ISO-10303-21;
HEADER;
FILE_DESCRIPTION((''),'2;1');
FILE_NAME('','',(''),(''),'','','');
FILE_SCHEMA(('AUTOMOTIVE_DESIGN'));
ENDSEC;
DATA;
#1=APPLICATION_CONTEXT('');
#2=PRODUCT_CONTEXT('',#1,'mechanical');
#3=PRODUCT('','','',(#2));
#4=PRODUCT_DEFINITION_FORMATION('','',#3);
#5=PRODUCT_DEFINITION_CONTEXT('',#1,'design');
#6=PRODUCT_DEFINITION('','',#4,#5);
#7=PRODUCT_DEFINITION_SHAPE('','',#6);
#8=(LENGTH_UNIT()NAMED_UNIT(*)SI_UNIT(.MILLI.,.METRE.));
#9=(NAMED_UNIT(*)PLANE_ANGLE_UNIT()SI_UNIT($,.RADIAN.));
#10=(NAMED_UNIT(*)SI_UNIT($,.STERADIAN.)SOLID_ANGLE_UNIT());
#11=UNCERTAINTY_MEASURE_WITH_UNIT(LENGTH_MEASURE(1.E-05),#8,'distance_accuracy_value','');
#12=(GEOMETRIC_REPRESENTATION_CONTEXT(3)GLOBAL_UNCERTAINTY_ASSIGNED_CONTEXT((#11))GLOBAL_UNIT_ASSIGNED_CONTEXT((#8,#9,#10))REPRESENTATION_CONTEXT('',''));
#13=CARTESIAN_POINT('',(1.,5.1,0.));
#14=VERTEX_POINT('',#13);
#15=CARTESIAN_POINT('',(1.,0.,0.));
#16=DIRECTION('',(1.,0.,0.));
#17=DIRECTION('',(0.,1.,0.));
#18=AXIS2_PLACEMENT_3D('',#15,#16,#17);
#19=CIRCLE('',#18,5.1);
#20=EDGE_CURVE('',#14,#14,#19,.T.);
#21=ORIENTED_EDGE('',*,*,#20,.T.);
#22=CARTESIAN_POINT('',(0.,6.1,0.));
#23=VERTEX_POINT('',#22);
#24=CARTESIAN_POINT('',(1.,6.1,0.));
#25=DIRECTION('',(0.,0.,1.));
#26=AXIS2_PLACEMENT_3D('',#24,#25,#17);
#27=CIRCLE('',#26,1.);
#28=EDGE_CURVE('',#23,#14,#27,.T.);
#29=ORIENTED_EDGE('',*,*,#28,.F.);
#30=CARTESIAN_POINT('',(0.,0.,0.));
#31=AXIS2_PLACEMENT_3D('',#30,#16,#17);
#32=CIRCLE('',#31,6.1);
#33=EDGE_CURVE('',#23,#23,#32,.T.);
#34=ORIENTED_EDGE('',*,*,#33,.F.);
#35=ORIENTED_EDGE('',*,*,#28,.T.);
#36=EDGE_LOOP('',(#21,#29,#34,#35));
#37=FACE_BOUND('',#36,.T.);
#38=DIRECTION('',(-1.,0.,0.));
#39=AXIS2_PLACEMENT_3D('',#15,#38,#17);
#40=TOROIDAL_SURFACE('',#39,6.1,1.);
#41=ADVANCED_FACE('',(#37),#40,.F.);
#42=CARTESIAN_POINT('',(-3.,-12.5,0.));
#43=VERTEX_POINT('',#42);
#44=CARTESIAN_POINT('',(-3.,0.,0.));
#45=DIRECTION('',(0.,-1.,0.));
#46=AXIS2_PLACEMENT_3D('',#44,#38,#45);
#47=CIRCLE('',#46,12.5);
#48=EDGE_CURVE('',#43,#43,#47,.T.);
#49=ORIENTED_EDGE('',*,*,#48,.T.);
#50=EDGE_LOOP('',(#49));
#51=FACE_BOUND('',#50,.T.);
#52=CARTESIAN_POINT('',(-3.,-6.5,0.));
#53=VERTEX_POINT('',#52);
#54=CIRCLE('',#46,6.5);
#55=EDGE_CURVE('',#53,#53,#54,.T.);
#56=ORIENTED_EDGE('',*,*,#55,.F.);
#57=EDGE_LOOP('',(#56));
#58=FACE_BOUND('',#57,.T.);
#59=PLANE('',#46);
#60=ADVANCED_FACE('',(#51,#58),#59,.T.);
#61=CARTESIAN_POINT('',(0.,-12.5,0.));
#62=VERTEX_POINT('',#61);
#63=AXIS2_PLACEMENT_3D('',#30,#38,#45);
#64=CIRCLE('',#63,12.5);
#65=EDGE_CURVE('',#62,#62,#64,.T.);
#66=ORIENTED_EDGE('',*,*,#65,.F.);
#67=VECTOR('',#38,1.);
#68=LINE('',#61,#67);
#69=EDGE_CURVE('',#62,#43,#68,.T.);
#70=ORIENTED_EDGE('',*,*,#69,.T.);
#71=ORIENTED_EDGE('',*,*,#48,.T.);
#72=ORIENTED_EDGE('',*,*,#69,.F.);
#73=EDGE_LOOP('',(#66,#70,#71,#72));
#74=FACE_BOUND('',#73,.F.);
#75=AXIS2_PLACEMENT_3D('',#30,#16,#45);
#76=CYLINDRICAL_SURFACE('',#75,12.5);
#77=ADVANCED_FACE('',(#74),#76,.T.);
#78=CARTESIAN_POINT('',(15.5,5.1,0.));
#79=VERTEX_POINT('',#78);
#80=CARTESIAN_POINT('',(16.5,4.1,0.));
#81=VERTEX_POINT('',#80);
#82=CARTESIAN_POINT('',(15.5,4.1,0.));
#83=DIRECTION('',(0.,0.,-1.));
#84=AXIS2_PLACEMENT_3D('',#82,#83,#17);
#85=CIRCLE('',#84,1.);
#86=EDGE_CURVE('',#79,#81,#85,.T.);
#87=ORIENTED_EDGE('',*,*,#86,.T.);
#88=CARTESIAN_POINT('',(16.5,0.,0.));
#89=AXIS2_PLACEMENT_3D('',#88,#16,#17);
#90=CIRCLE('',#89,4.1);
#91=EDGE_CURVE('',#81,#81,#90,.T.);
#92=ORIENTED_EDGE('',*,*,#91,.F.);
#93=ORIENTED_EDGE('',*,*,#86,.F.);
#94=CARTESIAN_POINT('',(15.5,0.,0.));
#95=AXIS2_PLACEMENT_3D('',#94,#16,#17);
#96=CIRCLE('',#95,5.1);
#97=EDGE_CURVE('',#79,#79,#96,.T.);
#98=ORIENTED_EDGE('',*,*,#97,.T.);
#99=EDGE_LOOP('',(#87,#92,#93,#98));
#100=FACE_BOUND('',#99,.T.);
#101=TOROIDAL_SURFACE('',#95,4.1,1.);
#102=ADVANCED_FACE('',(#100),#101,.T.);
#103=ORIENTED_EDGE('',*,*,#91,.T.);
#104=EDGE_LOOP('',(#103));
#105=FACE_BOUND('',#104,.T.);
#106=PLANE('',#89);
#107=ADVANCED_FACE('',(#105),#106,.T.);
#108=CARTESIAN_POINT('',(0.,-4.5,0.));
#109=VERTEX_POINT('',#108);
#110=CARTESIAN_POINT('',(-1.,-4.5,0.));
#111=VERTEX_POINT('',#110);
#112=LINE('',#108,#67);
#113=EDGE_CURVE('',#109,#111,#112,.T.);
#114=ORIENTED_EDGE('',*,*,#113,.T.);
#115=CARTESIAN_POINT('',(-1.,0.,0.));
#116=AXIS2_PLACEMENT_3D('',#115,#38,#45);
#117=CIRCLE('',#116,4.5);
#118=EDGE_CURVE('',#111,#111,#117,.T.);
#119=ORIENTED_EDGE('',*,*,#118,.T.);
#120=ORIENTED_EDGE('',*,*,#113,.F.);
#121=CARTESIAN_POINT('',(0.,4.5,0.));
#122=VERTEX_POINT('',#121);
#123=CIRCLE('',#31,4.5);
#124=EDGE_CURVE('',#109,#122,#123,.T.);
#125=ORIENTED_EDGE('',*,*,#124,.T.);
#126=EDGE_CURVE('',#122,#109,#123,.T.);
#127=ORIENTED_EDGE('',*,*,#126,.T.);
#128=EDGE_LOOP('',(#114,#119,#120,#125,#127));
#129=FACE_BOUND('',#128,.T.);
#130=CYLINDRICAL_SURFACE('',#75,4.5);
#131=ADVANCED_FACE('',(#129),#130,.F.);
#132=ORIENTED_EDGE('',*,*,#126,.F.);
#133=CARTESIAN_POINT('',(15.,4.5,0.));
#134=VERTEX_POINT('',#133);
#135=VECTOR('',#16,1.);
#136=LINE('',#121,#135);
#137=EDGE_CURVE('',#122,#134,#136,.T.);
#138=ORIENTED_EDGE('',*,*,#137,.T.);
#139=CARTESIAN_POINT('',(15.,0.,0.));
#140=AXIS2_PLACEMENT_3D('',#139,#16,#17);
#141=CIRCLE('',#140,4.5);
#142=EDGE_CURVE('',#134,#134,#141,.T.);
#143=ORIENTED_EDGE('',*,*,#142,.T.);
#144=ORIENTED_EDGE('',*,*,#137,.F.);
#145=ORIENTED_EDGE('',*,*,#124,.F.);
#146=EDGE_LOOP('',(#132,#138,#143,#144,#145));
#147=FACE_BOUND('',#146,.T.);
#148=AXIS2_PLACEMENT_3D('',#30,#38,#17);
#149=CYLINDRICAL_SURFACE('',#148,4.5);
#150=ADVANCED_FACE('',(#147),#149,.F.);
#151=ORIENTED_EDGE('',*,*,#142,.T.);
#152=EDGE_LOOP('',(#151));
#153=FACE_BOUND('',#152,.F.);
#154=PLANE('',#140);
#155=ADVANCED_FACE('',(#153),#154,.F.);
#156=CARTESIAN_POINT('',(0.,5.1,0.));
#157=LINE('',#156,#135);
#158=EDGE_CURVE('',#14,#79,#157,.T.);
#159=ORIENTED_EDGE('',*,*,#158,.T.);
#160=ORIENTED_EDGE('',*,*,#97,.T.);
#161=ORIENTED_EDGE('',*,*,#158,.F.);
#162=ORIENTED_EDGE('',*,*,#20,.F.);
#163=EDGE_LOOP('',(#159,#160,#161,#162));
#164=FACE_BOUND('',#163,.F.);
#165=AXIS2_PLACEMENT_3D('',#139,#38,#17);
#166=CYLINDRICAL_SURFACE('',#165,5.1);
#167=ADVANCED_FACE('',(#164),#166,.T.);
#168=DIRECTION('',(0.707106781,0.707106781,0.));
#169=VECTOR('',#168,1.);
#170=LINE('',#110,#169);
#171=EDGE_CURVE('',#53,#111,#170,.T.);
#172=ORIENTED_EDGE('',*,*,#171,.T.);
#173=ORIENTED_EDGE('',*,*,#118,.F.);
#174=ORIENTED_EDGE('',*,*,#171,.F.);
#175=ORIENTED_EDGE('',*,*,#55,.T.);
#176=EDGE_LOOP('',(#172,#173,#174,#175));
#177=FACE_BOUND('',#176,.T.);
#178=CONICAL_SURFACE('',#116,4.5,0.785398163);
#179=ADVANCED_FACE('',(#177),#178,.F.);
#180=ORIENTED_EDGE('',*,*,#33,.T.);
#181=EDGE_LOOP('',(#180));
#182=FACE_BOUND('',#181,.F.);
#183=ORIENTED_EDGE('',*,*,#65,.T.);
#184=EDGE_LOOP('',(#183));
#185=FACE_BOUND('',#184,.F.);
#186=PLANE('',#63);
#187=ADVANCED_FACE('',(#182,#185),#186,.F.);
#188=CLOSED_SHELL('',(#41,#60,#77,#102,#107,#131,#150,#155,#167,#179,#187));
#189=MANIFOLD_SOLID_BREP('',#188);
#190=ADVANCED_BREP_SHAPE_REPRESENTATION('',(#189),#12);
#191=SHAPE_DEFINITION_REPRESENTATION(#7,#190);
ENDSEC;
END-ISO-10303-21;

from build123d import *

# Parameters (mm, degrees)
F0_R     = 5.1
F0_R_2   = 4.5
F1_DEPTH = 15
F2_R     = 5.1
F3_DEPTH = 1.5
F4_R     = 12.5
F4_R_2   = 4.5
F5_DEPTH = 3
F6_R     = 1
F7_SIZE  = 2


with BuildPart() as f1:
    # F0 (on Right) → F1 (new body)
    with BuildSketch(Plane.YZ):
        Circle(F0_R)
        Circle(F0_R_2, mode=Mode.SUBTRACT)
    extrude(amount=F1_DEPTH)

    # F2 (on face) → F3 (join)
    with BuildSketch(Plane.YZ.offset(15)):
        Circle(F2_R)
    extrude(amount=F3_DEPTH)

    # F4 (on face) → F5 (join)
    with BuildSketch(Plane(origin=(0, 0, 0), x_dir=(0, -1, 0), z_dir=(-1, 0, 0))):
        Circle(F4_R)
        Circle(F4_R_2, mode=Mode.SUBTRACT)
    extrude(amount=F5_DEPTH)

    # F6
    f6_edges = [f1.edges().sort_by_distance(p)[0] for p in [
        (16.5, -5.1, 0),
        (0, -5.1, 0),
    ]]
    fillet(f6_edges, radius=F6_R)

    # F7
    f7_edges = [f1.edges().sort_by_distance(p)[0] for p in [
        (-3, 4.5, 0),
    ]]
    chamfer(f7_edges, length=F7_SIZE)


solid = f1.part
